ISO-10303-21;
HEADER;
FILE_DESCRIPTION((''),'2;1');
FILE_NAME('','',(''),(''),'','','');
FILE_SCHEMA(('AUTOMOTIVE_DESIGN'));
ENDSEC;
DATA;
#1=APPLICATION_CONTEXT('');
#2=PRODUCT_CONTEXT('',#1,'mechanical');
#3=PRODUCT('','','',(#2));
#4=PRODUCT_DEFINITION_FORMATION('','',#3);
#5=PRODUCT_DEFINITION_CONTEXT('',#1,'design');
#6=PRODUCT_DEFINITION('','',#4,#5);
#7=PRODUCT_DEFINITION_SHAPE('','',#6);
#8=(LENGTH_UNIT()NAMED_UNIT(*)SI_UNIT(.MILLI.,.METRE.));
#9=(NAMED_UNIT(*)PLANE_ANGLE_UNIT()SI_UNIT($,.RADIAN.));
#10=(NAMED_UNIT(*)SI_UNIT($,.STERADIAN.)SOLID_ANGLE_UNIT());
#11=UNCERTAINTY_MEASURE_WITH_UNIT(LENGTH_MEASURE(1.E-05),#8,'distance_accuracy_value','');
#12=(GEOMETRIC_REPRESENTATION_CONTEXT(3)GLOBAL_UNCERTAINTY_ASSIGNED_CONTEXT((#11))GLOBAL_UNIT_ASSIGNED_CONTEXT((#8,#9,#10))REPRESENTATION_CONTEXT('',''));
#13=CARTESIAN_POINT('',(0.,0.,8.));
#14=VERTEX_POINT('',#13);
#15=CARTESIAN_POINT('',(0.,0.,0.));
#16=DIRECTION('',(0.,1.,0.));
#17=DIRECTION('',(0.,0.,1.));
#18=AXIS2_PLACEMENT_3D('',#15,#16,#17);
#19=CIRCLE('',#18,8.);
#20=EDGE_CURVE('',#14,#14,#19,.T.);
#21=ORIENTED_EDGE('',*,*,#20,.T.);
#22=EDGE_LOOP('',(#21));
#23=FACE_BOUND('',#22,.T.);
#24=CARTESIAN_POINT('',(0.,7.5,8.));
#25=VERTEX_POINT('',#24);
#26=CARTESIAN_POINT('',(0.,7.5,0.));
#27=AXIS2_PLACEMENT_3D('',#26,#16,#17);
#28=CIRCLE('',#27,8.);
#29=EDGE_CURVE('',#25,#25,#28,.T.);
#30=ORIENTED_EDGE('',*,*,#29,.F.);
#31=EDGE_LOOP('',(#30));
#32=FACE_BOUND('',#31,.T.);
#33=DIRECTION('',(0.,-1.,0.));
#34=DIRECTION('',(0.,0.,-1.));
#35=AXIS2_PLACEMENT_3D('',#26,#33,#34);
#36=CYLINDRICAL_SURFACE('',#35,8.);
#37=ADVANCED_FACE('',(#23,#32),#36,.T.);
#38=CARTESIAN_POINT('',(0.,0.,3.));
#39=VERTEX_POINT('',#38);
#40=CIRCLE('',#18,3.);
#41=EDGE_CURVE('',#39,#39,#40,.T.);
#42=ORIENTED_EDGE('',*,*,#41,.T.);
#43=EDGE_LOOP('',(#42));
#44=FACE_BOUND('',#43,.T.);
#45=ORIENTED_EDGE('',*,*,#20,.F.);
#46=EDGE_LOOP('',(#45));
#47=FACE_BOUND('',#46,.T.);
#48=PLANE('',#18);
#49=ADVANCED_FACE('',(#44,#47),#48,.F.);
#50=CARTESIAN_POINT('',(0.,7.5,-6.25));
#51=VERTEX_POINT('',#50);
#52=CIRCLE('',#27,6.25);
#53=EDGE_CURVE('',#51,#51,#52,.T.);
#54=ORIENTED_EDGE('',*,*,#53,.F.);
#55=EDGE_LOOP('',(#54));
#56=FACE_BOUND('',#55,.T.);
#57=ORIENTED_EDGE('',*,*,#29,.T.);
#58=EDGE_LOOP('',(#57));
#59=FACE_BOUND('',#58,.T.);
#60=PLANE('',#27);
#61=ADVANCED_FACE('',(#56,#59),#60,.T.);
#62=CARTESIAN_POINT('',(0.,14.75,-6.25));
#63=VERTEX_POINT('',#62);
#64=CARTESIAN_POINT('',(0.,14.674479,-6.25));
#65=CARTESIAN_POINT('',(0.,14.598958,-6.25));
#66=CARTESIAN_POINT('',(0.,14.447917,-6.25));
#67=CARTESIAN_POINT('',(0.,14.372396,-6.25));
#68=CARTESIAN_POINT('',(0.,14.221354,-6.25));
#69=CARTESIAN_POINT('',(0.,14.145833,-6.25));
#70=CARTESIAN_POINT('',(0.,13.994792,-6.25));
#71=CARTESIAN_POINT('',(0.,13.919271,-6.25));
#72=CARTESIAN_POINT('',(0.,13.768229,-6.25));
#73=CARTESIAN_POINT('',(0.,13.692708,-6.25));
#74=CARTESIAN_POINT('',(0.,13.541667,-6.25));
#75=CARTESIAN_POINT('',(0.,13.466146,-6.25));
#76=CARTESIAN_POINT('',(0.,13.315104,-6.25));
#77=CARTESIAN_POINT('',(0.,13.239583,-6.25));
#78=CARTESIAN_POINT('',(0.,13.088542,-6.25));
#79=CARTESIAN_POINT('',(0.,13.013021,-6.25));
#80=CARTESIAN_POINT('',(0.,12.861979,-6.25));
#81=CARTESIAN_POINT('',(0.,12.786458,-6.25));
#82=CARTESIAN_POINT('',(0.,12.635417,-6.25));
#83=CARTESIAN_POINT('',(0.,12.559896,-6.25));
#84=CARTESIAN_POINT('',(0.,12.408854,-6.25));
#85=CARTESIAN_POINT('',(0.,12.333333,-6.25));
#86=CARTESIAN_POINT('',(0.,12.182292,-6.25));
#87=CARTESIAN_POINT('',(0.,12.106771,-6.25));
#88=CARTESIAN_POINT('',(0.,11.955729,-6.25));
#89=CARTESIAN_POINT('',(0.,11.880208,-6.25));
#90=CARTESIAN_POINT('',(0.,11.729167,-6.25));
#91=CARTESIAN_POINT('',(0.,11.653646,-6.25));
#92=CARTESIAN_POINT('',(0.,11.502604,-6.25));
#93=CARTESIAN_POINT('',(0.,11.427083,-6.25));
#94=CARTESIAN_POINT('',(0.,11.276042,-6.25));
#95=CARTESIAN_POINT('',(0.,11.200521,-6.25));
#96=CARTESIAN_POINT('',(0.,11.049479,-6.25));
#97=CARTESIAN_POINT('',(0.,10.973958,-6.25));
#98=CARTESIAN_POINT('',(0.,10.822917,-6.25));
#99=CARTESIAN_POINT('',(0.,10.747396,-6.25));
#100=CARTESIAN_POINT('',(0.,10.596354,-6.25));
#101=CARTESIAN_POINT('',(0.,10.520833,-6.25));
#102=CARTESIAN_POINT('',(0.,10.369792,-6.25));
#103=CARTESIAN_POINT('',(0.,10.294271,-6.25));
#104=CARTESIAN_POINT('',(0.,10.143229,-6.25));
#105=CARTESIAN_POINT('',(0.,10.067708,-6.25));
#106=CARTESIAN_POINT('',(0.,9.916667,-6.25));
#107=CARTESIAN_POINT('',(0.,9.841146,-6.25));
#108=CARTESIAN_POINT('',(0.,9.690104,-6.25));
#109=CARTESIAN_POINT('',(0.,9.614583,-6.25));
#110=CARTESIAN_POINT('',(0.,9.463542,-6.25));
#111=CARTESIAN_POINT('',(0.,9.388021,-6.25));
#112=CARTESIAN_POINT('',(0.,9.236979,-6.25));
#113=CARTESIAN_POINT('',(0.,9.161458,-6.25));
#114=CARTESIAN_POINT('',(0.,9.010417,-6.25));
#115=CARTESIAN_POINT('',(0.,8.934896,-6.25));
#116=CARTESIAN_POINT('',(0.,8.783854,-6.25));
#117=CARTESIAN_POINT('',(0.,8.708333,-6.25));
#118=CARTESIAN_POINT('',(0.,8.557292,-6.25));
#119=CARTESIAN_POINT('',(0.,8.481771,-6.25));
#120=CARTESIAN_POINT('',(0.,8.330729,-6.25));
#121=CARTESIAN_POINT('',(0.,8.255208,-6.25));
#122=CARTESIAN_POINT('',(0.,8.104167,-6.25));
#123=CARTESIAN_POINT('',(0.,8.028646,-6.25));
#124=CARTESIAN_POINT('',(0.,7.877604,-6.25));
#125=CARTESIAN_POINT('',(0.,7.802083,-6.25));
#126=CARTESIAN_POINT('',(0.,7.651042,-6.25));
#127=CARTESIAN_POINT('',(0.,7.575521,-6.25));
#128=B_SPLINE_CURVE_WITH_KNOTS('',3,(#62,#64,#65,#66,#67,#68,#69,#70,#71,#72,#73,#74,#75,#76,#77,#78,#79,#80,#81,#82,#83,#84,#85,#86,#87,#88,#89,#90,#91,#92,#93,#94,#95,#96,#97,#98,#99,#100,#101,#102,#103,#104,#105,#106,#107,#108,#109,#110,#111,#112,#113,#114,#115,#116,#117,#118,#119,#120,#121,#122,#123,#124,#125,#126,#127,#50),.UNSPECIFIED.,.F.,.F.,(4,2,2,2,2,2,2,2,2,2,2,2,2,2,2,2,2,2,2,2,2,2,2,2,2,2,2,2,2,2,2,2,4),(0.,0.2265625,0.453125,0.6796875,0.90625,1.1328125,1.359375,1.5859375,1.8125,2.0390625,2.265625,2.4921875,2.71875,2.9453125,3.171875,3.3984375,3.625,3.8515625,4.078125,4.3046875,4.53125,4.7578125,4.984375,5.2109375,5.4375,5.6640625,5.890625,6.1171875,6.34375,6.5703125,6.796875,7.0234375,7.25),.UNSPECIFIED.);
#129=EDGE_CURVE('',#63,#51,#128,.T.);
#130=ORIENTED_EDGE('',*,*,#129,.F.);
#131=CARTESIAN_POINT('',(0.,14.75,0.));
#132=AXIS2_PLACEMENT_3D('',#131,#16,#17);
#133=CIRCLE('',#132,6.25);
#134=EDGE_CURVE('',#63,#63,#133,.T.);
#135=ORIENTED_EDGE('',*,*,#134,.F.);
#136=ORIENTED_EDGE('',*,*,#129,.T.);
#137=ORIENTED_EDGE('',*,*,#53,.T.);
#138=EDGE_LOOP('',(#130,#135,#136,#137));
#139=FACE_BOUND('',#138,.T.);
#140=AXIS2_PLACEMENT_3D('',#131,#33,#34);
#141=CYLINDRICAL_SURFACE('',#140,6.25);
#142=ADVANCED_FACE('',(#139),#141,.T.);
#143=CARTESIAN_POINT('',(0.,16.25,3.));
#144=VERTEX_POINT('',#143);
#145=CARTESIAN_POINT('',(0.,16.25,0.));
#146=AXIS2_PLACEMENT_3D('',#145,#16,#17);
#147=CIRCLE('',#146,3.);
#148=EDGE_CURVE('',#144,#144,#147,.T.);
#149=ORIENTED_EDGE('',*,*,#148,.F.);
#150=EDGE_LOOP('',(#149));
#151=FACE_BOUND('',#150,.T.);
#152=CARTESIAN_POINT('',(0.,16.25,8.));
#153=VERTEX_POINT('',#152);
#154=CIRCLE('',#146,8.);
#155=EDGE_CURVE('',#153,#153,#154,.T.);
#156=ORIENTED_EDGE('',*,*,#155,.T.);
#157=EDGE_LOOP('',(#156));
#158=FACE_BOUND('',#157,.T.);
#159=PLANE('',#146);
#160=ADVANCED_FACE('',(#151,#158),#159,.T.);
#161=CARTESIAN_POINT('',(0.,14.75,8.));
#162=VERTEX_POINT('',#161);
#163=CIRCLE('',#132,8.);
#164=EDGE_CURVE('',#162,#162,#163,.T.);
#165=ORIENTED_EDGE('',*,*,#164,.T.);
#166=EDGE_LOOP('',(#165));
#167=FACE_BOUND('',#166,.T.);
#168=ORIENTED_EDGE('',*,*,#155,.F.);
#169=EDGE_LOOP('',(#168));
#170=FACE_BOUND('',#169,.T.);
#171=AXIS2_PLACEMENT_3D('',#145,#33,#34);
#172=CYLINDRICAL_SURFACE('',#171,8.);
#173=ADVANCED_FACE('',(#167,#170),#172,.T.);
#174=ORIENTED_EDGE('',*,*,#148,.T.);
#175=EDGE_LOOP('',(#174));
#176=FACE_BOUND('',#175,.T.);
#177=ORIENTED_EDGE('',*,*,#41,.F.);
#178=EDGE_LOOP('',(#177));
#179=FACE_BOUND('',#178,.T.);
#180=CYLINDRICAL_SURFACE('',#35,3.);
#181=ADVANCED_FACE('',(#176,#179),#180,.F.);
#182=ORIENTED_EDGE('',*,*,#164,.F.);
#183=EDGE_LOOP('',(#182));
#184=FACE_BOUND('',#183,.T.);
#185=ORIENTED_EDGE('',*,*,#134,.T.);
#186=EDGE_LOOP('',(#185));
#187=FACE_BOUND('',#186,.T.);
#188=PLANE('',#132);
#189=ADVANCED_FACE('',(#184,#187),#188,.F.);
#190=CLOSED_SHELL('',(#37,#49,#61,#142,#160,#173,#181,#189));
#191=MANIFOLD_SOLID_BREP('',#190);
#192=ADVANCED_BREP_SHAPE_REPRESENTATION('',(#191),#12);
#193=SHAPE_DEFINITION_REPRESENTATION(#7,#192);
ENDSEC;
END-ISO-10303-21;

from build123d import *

# Parameters (mm, degrees)
SKETCH1_R           = 8
SKETCH1_R_2         = 3
BOSS_EXTRUDE1_DEPTH = 7.5
SKETCH2_R           = 6.25
SKETCH2_R_2         = 3
BOSS_EXTRUDE2_DEPTH = 7.25
SKETCH3_R           = 8
SKETCH3_R_2         = 3
BOSS_EXTRUDE3_DEPTH = 1.5


with BuildPart() as part:
    # Sketch1 → Boss-Extrude1 (new body)
    with BuildSketch(Plane(origin=(0, 0, 0), x_dir=(1, 0, 0), z_dir=(0, 1, 0))):
        with Locations(Location((0, 0, 0), (0, 0, 270))):
            Circle(SKETCH1_R)
        with Locations(Location((0, 0, 0), (0, 0, 270))):
            Circle(SKETCH1_R_2, mode=Mode.SUBTRACT)
    extrude(amount=BOSS_EXTRUDE1_DEPTH)

    # Sketch2 → Boss-Extrude2 (add)
    with BuildSketch(Plane(origin=(0, 7.5, 0), x_dir=(1, 0, 0), z_dir=(0, 1, 0))):
        with Locations(Location((0, 0, 0), (0, 0, 90))):
            Circle(SKETCH2_R)
        with Locations(Location((0, 0, 0), (0, 0, 270))):
            Circle(SKETCH2_R_2, mode=Mode.SUBTRACT)
    extrude(amount=BOSS_EXTRUDE2_DEPTH)

    # Sketch3 → Boss-Extrude3 (add)
    with BuildSketch(Plane(origin=(0, 14.75, 0), x_dir=(1, 0, 0), z_dir=(0, 1, 0))):
        with Locations(Location((0, 0, 0), (0, 0, 270))):
            Circle(SKETCH3_R)
        with Locations(Location((0, 0, 0), (0, 0, 270))):
            Circle(SKETCH3_R_2, mode=Mode.SUBTRACT)
    extrude(amount=BOSS_EXTRUDE3_DEPTH)


solid = part.part
